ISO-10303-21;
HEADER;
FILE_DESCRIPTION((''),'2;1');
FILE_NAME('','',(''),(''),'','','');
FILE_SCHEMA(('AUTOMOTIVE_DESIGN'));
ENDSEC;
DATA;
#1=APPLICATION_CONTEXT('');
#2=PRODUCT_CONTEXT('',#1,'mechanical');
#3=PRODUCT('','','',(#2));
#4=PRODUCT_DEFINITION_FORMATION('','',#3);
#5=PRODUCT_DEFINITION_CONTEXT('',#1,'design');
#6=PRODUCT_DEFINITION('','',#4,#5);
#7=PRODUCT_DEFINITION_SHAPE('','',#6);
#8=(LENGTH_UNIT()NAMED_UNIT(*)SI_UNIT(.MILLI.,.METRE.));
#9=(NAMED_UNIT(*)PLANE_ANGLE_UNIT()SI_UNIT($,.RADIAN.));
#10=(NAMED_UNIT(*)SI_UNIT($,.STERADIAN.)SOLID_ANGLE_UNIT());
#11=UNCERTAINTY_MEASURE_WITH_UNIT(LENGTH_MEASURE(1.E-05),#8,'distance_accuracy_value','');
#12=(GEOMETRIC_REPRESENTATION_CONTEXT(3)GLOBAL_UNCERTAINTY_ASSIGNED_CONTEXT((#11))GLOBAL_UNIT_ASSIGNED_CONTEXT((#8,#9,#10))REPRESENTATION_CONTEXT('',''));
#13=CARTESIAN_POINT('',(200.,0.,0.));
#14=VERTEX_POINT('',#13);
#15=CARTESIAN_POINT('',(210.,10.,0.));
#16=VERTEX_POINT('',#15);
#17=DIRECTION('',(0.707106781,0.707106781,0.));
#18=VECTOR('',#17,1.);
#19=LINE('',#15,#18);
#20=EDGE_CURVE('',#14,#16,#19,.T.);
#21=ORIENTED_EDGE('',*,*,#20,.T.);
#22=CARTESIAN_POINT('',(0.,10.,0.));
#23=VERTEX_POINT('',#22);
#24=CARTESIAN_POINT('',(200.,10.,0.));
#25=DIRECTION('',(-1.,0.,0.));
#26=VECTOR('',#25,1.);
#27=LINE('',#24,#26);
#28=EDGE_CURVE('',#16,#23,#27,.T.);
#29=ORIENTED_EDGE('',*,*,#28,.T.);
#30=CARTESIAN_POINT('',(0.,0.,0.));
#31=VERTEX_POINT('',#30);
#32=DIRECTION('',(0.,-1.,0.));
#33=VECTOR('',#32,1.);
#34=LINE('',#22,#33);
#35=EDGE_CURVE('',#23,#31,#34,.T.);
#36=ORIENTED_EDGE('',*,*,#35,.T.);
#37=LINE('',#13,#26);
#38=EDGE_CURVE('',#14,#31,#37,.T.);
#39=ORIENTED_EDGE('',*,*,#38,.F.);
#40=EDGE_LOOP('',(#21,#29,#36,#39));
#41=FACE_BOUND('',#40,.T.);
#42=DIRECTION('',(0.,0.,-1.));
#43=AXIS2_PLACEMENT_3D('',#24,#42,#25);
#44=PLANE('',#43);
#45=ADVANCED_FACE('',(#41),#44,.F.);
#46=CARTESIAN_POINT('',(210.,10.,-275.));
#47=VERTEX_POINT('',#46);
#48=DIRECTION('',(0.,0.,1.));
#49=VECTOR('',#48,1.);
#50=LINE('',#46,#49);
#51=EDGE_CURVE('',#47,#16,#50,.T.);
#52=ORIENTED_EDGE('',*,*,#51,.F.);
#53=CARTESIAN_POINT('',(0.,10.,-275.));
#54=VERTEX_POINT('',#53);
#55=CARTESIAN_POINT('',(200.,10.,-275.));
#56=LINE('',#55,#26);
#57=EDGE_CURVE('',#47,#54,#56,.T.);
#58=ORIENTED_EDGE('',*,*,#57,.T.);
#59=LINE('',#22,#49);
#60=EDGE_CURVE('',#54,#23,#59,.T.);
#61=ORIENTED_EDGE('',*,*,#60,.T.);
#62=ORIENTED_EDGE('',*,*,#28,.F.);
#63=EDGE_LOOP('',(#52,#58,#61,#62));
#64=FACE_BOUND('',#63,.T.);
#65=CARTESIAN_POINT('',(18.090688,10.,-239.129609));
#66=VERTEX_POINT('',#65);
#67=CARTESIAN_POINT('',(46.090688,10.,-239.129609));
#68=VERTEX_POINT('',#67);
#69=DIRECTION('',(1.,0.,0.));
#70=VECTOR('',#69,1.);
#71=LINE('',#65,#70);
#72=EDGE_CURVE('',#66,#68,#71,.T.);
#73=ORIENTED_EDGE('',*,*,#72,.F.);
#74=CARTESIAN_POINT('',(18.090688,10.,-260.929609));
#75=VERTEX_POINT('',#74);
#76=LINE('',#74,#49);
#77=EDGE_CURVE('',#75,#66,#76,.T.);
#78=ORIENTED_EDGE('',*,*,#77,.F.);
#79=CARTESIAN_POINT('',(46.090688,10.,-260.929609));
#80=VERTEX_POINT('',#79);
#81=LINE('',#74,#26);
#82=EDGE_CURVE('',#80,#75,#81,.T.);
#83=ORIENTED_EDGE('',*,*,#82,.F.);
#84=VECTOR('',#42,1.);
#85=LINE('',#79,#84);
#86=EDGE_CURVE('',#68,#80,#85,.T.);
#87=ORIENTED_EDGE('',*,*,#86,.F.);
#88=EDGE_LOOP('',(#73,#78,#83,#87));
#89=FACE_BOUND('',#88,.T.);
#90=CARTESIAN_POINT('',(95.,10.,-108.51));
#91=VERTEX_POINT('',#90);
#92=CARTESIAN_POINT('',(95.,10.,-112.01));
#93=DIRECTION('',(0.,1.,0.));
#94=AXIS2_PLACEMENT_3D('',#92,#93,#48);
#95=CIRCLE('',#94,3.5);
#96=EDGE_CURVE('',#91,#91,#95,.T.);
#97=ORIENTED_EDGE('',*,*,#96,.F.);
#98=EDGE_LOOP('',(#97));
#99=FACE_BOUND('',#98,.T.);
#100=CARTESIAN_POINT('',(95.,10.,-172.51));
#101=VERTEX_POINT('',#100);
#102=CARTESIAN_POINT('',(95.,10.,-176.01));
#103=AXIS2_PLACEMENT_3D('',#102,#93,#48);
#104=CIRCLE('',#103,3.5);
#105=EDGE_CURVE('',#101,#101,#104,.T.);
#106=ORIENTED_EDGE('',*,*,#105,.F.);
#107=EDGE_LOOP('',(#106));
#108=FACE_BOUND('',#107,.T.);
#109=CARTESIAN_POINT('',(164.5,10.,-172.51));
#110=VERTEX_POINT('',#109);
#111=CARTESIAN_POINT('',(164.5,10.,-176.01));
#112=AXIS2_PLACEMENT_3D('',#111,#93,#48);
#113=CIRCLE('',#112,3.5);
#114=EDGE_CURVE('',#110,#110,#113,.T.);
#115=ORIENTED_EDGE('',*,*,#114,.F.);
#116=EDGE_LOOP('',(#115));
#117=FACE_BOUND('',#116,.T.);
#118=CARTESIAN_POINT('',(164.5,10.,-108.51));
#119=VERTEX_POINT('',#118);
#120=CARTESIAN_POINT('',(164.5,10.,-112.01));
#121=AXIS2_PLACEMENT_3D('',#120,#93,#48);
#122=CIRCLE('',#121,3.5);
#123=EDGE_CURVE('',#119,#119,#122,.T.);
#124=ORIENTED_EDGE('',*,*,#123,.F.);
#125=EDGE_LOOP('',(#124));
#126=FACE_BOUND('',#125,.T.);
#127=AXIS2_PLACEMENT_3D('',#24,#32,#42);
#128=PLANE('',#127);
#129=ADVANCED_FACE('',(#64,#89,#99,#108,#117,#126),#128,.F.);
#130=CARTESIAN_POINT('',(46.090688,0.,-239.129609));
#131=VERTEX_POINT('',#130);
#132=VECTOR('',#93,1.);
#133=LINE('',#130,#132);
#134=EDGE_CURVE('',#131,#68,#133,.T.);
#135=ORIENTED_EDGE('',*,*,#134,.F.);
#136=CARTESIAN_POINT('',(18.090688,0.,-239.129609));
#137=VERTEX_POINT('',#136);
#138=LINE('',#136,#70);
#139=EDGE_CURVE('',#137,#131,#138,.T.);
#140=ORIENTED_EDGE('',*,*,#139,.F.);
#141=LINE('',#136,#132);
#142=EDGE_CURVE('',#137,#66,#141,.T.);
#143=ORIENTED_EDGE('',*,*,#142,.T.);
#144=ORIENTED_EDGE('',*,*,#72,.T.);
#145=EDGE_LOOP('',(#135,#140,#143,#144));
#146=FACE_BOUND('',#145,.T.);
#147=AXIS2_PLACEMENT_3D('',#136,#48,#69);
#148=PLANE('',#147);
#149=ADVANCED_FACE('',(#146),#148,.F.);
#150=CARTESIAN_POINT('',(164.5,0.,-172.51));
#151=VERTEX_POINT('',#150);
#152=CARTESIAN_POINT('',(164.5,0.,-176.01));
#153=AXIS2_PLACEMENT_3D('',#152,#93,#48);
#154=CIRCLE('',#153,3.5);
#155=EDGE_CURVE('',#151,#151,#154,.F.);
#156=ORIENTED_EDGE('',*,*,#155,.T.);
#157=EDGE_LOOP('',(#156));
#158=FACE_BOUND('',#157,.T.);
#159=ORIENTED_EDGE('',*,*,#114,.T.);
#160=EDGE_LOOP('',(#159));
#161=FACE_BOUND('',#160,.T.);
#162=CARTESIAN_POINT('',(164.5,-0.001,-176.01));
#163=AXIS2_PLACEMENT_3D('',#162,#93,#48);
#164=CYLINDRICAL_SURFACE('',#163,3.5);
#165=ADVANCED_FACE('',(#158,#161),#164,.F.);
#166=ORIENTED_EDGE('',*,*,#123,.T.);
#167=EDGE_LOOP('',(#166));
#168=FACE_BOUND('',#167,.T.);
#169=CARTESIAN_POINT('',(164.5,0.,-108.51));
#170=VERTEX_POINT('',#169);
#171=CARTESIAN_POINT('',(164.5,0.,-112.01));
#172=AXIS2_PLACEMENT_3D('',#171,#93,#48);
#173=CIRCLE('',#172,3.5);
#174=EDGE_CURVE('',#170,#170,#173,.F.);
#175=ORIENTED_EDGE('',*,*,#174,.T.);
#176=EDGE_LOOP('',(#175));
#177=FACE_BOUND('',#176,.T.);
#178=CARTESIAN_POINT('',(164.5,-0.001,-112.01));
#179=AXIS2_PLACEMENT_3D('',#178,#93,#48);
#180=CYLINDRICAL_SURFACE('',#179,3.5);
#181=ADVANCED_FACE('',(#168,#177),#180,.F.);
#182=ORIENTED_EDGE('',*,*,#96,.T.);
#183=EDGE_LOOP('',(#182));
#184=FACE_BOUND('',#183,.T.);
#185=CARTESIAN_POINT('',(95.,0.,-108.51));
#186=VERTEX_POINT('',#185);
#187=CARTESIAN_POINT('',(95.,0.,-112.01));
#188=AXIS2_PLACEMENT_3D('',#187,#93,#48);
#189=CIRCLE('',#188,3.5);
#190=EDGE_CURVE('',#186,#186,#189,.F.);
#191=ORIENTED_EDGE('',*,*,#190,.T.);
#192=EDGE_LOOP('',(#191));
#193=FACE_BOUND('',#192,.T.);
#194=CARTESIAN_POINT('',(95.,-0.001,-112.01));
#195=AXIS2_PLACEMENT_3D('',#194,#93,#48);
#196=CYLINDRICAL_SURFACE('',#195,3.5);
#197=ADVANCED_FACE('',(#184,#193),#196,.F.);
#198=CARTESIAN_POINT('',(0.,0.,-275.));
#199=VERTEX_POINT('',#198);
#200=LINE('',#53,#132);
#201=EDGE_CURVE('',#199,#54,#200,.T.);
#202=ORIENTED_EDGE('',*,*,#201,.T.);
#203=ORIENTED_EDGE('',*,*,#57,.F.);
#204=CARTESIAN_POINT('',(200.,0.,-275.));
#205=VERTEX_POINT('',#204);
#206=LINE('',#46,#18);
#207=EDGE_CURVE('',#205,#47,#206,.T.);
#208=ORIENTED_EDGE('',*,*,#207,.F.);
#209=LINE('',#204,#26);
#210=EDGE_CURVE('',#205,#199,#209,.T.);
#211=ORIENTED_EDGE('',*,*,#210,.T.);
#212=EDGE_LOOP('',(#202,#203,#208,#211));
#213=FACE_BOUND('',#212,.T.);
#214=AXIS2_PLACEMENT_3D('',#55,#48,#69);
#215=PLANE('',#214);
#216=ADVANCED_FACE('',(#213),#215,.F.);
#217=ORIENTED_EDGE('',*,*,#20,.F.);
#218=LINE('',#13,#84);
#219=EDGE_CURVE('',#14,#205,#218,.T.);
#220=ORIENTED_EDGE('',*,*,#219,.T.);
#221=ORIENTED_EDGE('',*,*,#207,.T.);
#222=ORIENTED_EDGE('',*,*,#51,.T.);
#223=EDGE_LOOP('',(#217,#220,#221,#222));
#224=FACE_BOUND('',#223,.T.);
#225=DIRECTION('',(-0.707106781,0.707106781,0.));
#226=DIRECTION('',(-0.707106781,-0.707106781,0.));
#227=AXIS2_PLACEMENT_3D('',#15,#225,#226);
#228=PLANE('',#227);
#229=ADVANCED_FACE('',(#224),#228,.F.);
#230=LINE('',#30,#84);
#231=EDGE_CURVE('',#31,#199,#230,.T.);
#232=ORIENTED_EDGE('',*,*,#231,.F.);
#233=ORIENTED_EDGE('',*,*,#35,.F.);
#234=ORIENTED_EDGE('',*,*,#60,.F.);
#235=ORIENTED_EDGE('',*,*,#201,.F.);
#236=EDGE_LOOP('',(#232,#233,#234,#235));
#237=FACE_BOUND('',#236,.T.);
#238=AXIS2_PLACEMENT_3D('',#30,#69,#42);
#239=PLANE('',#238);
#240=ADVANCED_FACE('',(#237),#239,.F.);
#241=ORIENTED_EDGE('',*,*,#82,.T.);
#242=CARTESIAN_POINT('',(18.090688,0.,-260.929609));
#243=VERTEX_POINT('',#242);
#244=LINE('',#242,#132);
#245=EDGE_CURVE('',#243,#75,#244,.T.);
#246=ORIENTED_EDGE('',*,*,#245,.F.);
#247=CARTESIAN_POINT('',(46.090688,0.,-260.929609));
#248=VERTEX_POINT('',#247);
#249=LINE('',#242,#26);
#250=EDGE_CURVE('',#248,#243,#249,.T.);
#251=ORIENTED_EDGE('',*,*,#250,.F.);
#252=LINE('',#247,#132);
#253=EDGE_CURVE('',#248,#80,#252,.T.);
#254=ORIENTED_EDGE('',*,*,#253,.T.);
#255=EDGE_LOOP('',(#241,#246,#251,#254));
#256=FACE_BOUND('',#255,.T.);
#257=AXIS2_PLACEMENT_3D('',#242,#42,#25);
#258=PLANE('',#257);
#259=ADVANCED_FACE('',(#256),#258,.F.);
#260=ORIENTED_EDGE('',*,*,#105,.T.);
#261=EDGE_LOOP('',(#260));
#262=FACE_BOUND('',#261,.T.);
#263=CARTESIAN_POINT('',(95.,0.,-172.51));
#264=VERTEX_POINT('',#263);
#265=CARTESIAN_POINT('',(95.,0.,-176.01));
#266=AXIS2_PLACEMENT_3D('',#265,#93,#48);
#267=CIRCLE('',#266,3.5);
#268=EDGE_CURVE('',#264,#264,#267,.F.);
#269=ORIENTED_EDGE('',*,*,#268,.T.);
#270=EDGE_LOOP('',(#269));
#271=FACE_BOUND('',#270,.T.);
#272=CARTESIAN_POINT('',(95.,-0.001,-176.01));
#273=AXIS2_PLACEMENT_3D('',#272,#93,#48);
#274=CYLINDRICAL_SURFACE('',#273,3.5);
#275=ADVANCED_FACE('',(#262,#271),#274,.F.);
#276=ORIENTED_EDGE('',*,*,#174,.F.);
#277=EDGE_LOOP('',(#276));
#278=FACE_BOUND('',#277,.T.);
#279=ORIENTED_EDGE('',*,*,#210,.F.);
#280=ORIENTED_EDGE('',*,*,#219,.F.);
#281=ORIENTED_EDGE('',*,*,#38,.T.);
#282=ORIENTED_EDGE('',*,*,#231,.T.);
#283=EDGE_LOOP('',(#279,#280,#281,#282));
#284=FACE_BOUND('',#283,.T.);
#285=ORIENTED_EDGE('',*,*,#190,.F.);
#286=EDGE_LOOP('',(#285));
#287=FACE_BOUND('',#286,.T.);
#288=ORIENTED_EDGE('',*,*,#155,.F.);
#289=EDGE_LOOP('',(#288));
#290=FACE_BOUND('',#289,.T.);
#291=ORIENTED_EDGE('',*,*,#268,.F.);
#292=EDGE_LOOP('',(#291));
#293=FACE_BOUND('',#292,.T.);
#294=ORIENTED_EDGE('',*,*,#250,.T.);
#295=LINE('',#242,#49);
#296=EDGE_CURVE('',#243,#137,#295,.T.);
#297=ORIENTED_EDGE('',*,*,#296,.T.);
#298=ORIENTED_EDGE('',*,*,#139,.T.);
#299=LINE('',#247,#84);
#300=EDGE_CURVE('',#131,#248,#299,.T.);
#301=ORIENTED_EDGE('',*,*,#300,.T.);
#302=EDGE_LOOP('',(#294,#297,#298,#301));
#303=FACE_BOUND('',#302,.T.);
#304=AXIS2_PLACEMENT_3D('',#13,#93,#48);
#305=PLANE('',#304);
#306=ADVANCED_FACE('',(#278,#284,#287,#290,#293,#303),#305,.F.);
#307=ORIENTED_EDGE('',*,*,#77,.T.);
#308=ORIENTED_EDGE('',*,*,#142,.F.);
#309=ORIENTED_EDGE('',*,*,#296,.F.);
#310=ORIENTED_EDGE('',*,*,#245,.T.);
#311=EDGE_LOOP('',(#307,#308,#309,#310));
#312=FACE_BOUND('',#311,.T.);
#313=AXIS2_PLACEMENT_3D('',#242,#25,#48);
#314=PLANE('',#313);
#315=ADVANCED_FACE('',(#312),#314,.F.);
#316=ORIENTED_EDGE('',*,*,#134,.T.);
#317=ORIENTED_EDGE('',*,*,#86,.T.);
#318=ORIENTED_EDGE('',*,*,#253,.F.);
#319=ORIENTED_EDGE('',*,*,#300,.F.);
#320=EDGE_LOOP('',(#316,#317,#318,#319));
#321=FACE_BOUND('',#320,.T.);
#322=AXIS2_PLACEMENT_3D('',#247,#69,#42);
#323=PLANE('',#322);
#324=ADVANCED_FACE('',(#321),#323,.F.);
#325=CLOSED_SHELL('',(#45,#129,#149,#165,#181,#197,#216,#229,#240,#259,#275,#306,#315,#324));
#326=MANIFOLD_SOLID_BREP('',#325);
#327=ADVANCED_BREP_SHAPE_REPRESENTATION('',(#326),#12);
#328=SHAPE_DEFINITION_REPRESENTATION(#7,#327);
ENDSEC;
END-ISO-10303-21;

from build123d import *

# Parameters (mm, degrees)
IZIM1_W                     = 275
IZIM1_H                     = 10
Y_KSEKLIK_EKSTR_ZYON1_DEPTH = 200
IZIM2_W                     = 275
IZIM2_H                     = 10
Y_KSEKLIK_EKSTR_ZYON2_DEPTH = 10
KES_EKSTR_ZYON1_DEPTH       = 347.157478613
CUT_EXTRUDE1_REACH          = 348.157
SKETCH1_R                   = 3.5
SKETCH2_W                   = 28
SKETCH2_H                   = 21.8
CUT_EXTRUDE2_DEPTH          = 10


with BuildPart() as part:
    # Çizim1 → Yükseklik-Ekstrüzyon1 (new body)
    with BuildSketch(Plane(origin=(0, 0, 0), x_dir=(0, 0, -1), z_dir=(1, 0, 0))):
        with Locations((137.5, 5)):
            Rectangle(IZIM1_W, IZIM1_H)
    extrude(amount=Y_KSEKLIK_EKSTR_ZYON1_DEPTH)

    # Çizim2 → Yükseklik-Ekstrüzyon2 (add)
    with BuildSketch(Plane(origin=(200, 0, 0), x_dir=(0, 0, -1), z_dir=(1, 0, 0))):
        with Locations((137.5, 5)):
            Rectangle(IZIM2_W, IZIM2_H)
    extrude(amount=Y_KSEKLIK_EKSTR_ZYON2_DEPTH)

    # Çizim3 → Kes-Ekstrüzyon1 (cut, through all)
    with BuildSketch(Plane(origin=(0, 0, -275), x_dir=(-1, 0, 0), z_dir=(0, 0, -1))):
        Polygon((-210, 10), (-200, 0), (-210, 0), align=None)
    extrude(amount=-KES_EKSTR_ZYON1_DEPTH, mode=Mode.SUBTRACT)

    # Sketch1 → Cut-Extrude1 (cut, up to next)
    with BuildSketch(Plane(origin=(0, 10, 0), x_dir=(1, 0, 0), z_dir=(0, 1, 0)), mode=Mode.PRIVATE) as cut_extrude1_sk1:
        with Locations(Location((95, 176.01, 0), (0, 0, 270))):
            Circle(SKETCH1_R)
    cut_extrude1_tool1 = extrude(cut_extrude1_sk1.sketch, amount=-CUT_EXTRUDE1_REACH, mode=Mode.PRIVATE) & part.part
    # Sketch1 → Cut-Extrude1 (cut, up to next)
    with BuildSketch(Plane(origin=(0, 10, 0), x_dir=(1, 0, 0), z_dir=(0, 1, 0)), mode=Mode.PRIVATE) as cut_extrude1_sk2:
        with Locations(Location((164.5, 176.01, 0), (0, 0, 270))):
            Circle(SKETCH1_R)
    cut_extrude1_tool2 = extrude(cut_extrude1_sk2.sketch, amount=-CUT_EXTRUDE1_REACH, mode=Mode.PRIVATE) & part.part
    # Sketch1 → Cut-Extrude1 (cut, up to next)
    with BuildSketch(Plane(origin=(0, 10, 0), x_dir=(1, 0, 0), z_dir=(0, 1, 0)), mode=Mode.PRIVATE) as cut_extrude1_sk3:
        with Locations(Location((95, 112.01, 0), (0, 0, 270))):
            Circle(SKETCH1_R)
    cut_extrude1_tool3 = extrude(cut_extrude1_sk3.sketch, amount=-CUT_EXTRUDE1_REACH, mode=Mode.PRIVATE) & part.part
    # Sketch1 → Cut-Extrude1 (cut, up to next)
    with BuildSketch(Plane(origin=(0, 10, 0), x_dir=(1, 0, 0), z_dir=(0, 1, 0)), mode=Mode.PRIVATE) as cut_extrude1_sk4:
        with Locations(Location((164.5, 112.01, 0), (0, 0, 270))):
            Circle(SKETCH1_R)
    cut_extrude1_tool4 = extrude(cut_extrude1_sk4.sketch, amount=-CUT_EXTRUDE1_REACH, mode=Mode.PRIVATE) & part.part
    add(cut_extrude1_tool1.solids().sort_by_distance((95, 10, -176.01))[0], mode=Mode.SUBTRACT)
    add(cut_extrude1_tool2.solids().sort_by_distance((164.5, 10, -176.01))[0], mode=Mode.SUBTRACT)
    add(cut_extrude1_tool3.solids().sort_by_distance((95, 10, -112.01))[0], mode=Mode.SUBTRACT)
    add(cut_extrude1_tool4.solids().sort_by_distance((164.5, 10, -112.01))[0], mode=Mode.SUBTRACT)

    # Sketch2 → Cut-Extrude2 (cut)
    with BuildSketch(Plane(origin=(0, 10, 0), x_dir=(1, 0, 0), z_dir=(0, 1, 0))):
        with Locations((32.090687836, 250.029608882)):
            Rectangle(SKETCH2_W, SKETCH2_H)
    extrude(amount=-CUT_EXTRUDE2_DEPTH, mode=Mode.SUBTRACT)


solid = part.part
